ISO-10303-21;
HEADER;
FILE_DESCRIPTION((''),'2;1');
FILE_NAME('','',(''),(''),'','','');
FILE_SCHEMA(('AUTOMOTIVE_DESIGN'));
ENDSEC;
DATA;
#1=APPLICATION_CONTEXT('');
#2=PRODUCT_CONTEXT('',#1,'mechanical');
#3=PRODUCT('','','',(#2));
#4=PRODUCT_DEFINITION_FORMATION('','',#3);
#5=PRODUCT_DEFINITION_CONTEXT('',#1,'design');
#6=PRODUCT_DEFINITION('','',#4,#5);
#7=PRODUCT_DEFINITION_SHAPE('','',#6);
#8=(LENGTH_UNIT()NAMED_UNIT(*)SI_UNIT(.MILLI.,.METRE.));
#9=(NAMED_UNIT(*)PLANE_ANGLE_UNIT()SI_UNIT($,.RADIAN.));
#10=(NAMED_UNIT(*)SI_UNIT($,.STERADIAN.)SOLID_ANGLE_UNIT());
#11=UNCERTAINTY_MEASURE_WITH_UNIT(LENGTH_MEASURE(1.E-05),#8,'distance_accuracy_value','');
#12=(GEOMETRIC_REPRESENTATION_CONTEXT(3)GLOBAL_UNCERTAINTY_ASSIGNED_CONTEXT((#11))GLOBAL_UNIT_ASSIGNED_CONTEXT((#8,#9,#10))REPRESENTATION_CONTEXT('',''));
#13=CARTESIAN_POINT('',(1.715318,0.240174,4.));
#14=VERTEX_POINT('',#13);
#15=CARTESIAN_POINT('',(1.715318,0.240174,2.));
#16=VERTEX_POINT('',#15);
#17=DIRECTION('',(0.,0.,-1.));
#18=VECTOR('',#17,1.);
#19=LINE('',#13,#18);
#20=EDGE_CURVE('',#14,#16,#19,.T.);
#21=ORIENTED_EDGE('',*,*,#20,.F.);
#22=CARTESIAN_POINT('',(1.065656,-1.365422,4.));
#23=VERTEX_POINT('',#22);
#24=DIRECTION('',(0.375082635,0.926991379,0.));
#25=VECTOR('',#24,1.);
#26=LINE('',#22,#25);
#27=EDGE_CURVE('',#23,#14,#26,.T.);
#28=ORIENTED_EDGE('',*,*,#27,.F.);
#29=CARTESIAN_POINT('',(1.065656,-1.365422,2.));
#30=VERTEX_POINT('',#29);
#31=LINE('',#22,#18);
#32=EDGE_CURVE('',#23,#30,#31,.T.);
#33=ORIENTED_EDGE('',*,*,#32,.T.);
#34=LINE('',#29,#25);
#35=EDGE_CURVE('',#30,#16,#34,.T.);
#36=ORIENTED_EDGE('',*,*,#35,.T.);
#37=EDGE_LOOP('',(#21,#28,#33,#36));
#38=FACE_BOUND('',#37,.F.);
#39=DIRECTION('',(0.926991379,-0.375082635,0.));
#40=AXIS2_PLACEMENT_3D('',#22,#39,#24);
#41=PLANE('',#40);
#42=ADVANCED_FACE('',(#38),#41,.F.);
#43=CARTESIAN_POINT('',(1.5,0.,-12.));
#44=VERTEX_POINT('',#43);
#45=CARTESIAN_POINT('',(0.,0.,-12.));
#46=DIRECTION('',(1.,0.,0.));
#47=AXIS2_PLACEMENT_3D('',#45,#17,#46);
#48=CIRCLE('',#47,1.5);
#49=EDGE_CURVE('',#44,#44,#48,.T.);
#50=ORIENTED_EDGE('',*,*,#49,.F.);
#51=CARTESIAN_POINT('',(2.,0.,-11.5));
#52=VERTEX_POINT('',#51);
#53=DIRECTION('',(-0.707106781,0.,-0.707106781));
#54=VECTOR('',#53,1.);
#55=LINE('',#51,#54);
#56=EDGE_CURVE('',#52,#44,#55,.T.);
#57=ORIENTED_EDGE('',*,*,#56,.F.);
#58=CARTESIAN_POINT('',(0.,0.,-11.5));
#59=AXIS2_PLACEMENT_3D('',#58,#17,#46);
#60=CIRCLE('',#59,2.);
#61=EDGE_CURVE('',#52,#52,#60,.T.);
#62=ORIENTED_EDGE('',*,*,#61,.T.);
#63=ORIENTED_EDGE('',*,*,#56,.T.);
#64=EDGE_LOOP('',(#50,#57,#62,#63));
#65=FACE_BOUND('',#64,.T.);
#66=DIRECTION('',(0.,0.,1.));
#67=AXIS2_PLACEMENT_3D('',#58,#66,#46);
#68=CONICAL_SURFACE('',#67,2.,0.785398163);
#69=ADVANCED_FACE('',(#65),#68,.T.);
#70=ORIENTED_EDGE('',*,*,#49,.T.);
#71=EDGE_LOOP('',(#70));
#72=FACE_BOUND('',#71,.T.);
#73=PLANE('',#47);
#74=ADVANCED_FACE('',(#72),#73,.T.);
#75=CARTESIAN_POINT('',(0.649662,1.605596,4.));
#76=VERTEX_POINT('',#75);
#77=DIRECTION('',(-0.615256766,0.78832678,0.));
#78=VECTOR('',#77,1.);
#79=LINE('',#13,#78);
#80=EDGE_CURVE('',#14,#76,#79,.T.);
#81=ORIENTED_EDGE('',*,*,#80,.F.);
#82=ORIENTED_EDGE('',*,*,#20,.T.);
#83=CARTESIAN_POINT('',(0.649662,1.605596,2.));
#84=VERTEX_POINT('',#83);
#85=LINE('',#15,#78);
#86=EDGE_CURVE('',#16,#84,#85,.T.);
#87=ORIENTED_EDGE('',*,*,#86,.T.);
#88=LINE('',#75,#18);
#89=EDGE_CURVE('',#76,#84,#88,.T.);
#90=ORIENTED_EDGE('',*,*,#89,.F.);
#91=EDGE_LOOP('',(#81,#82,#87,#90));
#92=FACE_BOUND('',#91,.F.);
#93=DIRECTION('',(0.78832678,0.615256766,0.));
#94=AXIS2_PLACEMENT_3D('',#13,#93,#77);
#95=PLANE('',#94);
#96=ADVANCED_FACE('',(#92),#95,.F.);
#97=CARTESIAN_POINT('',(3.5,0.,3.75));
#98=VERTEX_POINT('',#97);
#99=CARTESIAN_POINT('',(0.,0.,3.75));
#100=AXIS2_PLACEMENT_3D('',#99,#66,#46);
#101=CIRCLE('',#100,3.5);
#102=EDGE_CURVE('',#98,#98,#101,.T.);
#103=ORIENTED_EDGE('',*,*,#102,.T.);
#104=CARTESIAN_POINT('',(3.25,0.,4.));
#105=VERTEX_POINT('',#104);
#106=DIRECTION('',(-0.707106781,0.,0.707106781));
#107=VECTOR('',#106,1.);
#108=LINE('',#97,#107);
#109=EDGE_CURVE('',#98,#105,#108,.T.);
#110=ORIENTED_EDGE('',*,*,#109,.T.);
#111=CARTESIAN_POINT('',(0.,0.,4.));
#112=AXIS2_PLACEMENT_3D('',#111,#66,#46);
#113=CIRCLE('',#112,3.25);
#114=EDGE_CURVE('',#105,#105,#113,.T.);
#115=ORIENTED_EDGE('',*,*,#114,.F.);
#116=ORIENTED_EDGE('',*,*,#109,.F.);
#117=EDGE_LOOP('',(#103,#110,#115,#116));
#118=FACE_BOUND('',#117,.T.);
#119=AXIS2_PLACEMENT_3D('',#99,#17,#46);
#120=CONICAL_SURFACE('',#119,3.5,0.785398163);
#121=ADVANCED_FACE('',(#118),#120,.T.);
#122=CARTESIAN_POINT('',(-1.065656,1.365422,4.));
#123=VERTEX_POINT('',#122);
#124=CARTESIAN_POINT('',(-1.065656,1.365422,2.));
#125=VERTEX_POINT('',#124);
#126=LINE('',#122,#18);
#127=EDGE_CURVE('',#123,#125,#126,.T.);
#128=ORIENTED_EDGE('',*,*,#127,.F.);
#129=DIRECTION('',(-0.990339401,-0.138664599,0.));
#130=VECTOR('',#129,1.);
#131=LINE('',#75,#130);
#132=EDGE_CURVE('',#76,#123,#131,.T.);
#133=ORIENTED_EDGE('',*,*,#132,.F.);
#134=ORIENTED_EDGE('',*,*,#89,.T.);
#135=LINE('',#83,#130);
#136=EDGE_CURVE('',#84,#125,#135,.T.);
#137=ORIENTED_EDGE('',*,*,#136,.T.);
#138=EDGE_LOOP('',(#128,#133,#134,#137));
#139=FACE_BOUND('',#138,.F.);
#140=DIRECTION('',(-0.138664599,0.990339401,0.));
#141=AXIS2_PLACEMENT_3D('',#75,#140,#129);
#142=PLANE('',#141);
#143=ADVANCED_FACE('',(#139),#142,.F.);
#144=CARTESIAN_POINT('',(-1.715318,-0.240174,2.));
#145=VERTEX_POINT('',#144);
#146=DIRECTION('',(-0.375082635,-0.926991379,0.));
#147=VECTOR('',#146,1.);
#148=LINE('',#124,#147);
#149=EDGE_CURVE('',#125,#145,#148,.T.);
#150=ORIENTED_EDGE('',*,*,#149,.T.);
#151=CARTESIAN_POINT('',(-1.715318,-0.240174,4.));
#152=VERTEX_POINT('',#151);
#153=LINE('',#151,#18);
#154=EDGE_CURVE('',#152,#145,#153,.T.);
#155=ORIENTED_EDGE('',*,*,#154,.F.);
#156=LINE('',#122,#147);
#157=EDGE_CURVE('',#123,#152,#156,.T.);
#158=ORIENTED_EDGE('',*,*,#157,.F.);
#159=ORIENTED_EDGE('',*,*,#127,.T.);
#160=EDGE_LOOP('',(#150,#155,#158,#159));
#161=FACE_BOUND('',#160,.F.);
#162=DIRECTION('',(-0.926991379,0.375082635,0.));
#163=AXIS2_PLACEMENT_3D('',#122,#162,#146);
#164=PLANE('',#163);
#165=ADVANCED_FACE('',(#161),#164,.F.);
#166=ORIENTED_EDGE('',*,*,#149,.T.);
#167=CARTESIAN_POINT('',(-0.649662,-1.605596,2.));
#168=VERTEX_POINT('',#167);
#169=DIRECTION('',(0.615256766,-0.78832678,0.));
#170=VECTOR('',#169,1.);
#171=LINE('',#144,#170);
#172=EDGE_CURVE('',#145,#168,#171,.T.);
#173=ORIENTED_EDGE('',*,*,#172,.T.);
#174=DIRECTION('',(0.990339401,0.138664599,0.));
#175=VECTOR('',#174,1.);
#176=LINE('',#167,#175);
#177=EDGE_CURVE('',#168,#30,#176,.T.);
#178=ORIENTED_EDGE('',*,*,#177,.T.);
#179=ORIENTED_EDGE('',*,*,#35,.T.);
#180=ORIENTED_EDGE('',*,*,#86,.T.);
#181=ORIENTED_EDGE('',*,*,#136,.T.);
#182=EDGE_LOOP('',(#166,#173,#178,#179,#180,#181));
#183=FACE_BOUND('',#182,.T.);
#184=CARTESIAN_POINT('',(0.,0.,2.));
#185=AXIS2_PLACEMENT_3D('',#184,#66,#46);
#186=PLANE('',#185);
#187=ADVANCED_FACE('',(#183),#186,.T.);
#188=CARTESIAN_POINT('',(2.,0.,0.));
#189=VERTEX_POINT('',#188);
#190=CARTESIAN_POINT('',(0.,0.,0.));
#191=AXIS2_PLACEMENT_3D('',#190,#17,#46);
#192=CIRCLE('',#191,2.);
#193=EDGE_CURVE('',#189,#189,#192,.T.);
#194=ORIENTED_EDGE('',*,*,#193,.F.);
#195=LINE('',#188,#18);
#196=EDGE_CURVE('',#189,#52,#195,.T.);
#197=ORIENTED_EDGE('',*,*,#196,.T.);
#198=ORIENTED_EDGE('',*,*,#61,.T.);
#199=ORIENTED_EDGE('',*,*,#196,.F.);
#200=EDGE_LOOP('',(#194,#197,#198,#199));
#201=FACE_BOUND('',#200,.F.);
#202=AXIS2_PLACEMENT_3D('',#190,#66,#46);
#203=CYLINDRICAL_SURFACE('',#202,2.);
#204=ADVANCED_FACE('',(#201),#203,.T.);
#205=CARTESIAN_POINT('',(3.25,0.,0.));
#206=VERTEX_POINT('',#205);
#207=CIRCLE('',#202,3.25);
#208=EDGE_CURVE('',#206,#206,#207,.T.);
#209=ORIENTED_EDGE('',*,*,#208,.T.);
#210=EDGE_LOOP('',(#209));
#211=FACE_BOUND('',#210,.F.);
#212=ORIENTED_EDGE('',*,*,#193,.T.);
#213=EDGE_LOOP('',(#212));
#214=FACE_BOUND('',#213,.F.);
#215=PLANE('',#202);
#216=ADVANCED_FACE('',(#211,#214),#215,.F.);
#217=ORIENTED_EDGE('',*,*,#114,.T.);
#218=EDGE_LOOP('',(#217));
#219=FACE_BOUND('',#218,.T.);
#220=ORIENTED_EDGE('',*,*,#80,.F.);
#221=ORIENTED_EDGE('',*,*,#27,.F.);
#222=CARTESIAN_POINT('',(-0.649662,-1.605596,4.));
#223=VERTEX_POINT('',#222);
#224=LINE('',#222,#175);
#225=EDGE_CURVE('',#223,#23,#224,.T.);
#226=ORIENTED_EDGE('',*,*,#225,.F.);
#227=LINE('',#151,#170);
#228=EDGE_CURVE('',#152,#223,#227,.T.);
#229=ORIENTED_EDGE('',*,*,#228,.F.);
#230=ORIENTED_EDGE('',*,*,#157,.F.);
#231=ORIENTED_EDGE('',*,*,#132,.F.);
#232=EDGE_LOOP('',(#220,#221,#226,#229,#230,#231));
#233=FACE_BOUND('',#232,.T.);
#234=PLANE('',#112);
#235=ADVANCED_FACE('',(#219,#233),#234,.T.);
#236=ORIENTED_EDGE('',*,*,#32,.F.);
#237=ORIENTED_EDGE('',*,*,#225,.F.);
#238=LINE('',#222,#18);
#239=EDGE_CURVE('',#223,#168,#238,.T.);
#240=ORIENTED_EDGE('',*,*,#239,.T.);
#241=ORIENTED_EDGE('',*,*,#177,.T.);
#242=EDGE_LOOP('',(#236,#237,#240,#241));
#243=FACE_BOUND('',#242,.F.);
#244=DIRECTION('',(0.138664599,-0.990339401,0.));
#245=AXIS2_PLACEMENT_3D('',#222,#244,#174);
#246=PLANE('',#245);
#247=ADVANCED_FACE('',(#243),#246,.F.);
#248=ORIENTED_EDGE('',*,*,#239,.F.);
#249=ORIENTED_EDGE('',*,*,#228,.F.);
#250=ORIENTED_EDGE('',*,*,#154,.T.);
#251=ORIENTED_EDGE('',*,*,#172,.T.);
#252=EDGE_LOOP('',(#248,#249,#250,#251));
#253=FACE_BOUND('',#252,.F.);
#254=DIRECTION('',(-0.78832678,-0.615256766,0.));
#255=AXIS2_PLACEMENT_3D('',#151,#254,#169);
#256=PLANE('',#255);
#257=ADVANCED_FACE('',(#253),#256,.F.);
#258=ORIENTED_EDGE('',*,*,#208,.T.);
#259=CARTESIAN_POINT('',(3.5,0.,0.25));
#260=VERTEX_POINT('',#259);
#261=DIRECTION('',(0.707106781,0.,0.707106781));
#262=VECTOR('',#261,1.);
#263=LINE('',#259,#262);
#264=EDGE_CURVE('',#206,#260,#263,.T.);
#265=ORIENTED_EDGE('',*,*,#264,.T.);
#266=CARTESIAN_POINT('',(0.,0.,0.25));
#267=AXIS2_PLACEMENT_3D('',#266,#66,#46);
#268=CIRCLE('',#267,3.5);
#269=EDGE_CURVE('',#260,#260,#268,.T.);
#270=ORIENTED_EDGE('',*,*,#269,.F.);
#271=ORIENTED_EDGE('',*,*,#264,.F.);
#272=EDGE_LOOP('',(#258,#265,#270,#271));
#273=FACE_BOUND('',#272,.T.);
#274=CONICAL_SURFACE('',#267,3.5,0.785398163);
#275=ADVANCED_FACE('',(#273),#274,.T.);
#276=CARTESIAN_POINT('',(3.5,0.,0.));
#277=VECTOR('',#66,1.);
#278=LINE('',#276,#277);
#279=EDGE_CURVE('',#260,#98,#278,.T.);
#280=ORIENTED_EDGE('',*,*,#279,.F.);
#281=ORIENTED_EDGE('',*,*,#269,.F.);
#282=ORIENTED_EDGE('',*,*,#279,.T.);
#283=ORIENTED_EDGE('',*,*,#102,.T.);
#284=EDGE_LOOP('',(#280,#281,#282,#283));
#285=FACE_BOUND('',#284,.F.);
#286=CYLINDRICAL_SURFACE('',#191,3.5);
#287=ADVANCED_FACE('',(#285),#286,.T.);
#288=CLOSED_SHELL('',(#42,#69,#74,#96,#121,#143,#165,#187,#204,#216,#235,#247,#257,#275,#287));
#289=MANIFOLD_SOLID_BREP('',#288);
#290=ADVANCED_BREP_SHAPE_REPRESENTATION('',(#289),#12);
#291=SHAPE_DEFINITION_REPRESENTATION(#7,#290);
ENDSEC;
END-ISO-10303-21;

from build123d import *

# Parameters (mm, degrees)
F0_R     = 3.5
F1_DEPTH = 4
F3_DEPTH = 2
F4_R     = 2
F5_DEPTH = 12
F6_SIZE  = 0.5
F7_SIZE  = 0.25


with BuildPart() as f1:
    # F0 (on Top) → F1 (new body)
    with BuildSketch(Plane.XY):
        Circle(F0_R)
    extrude(amount=F1_DEPTH)

    # F2 (on face) → F3 (cut)
    with BuildSketch(Plane.XY.offset(4)):
        Polygon((1.0656559782, -1.3654220359), (1.7153181591, 0.2401741309), (0.6496621809, 1.6055961668), (-1.0656559782, 1.3654220359), (-1.7153181591, -0.2401741309), (-0.6496621809, -1.6055961668), align=None)
    extrude(amount=-F3_DEPTH, mode=Mode.SUBTRACT)

    # F4 (on face) → F5 (join)
    with BuildSketch(Plane(origin=(0, 0, 0), x_dir=(1, 0, 0), z_dir=(0, 0, -1))):
        Circle(F4_R)
    extrude(amount=F5_DEPTH)

    # F6
    f6_edges = [f1.edges().sort_by_distance(p)[0] for p in [
        (-2, 0, -12),
    ]]
    chamfer(f6_edges, length=F6_SIZE)

    # F7
    f7_edges = [f1.edges().sort_by_distance(p)[0] for p in [
        (-3.5, 0, 0),
        (-3.5, 0, 4),
    ]]
    chamfer(f7_edges, length=F7_SIZE)


solid = f1.part
